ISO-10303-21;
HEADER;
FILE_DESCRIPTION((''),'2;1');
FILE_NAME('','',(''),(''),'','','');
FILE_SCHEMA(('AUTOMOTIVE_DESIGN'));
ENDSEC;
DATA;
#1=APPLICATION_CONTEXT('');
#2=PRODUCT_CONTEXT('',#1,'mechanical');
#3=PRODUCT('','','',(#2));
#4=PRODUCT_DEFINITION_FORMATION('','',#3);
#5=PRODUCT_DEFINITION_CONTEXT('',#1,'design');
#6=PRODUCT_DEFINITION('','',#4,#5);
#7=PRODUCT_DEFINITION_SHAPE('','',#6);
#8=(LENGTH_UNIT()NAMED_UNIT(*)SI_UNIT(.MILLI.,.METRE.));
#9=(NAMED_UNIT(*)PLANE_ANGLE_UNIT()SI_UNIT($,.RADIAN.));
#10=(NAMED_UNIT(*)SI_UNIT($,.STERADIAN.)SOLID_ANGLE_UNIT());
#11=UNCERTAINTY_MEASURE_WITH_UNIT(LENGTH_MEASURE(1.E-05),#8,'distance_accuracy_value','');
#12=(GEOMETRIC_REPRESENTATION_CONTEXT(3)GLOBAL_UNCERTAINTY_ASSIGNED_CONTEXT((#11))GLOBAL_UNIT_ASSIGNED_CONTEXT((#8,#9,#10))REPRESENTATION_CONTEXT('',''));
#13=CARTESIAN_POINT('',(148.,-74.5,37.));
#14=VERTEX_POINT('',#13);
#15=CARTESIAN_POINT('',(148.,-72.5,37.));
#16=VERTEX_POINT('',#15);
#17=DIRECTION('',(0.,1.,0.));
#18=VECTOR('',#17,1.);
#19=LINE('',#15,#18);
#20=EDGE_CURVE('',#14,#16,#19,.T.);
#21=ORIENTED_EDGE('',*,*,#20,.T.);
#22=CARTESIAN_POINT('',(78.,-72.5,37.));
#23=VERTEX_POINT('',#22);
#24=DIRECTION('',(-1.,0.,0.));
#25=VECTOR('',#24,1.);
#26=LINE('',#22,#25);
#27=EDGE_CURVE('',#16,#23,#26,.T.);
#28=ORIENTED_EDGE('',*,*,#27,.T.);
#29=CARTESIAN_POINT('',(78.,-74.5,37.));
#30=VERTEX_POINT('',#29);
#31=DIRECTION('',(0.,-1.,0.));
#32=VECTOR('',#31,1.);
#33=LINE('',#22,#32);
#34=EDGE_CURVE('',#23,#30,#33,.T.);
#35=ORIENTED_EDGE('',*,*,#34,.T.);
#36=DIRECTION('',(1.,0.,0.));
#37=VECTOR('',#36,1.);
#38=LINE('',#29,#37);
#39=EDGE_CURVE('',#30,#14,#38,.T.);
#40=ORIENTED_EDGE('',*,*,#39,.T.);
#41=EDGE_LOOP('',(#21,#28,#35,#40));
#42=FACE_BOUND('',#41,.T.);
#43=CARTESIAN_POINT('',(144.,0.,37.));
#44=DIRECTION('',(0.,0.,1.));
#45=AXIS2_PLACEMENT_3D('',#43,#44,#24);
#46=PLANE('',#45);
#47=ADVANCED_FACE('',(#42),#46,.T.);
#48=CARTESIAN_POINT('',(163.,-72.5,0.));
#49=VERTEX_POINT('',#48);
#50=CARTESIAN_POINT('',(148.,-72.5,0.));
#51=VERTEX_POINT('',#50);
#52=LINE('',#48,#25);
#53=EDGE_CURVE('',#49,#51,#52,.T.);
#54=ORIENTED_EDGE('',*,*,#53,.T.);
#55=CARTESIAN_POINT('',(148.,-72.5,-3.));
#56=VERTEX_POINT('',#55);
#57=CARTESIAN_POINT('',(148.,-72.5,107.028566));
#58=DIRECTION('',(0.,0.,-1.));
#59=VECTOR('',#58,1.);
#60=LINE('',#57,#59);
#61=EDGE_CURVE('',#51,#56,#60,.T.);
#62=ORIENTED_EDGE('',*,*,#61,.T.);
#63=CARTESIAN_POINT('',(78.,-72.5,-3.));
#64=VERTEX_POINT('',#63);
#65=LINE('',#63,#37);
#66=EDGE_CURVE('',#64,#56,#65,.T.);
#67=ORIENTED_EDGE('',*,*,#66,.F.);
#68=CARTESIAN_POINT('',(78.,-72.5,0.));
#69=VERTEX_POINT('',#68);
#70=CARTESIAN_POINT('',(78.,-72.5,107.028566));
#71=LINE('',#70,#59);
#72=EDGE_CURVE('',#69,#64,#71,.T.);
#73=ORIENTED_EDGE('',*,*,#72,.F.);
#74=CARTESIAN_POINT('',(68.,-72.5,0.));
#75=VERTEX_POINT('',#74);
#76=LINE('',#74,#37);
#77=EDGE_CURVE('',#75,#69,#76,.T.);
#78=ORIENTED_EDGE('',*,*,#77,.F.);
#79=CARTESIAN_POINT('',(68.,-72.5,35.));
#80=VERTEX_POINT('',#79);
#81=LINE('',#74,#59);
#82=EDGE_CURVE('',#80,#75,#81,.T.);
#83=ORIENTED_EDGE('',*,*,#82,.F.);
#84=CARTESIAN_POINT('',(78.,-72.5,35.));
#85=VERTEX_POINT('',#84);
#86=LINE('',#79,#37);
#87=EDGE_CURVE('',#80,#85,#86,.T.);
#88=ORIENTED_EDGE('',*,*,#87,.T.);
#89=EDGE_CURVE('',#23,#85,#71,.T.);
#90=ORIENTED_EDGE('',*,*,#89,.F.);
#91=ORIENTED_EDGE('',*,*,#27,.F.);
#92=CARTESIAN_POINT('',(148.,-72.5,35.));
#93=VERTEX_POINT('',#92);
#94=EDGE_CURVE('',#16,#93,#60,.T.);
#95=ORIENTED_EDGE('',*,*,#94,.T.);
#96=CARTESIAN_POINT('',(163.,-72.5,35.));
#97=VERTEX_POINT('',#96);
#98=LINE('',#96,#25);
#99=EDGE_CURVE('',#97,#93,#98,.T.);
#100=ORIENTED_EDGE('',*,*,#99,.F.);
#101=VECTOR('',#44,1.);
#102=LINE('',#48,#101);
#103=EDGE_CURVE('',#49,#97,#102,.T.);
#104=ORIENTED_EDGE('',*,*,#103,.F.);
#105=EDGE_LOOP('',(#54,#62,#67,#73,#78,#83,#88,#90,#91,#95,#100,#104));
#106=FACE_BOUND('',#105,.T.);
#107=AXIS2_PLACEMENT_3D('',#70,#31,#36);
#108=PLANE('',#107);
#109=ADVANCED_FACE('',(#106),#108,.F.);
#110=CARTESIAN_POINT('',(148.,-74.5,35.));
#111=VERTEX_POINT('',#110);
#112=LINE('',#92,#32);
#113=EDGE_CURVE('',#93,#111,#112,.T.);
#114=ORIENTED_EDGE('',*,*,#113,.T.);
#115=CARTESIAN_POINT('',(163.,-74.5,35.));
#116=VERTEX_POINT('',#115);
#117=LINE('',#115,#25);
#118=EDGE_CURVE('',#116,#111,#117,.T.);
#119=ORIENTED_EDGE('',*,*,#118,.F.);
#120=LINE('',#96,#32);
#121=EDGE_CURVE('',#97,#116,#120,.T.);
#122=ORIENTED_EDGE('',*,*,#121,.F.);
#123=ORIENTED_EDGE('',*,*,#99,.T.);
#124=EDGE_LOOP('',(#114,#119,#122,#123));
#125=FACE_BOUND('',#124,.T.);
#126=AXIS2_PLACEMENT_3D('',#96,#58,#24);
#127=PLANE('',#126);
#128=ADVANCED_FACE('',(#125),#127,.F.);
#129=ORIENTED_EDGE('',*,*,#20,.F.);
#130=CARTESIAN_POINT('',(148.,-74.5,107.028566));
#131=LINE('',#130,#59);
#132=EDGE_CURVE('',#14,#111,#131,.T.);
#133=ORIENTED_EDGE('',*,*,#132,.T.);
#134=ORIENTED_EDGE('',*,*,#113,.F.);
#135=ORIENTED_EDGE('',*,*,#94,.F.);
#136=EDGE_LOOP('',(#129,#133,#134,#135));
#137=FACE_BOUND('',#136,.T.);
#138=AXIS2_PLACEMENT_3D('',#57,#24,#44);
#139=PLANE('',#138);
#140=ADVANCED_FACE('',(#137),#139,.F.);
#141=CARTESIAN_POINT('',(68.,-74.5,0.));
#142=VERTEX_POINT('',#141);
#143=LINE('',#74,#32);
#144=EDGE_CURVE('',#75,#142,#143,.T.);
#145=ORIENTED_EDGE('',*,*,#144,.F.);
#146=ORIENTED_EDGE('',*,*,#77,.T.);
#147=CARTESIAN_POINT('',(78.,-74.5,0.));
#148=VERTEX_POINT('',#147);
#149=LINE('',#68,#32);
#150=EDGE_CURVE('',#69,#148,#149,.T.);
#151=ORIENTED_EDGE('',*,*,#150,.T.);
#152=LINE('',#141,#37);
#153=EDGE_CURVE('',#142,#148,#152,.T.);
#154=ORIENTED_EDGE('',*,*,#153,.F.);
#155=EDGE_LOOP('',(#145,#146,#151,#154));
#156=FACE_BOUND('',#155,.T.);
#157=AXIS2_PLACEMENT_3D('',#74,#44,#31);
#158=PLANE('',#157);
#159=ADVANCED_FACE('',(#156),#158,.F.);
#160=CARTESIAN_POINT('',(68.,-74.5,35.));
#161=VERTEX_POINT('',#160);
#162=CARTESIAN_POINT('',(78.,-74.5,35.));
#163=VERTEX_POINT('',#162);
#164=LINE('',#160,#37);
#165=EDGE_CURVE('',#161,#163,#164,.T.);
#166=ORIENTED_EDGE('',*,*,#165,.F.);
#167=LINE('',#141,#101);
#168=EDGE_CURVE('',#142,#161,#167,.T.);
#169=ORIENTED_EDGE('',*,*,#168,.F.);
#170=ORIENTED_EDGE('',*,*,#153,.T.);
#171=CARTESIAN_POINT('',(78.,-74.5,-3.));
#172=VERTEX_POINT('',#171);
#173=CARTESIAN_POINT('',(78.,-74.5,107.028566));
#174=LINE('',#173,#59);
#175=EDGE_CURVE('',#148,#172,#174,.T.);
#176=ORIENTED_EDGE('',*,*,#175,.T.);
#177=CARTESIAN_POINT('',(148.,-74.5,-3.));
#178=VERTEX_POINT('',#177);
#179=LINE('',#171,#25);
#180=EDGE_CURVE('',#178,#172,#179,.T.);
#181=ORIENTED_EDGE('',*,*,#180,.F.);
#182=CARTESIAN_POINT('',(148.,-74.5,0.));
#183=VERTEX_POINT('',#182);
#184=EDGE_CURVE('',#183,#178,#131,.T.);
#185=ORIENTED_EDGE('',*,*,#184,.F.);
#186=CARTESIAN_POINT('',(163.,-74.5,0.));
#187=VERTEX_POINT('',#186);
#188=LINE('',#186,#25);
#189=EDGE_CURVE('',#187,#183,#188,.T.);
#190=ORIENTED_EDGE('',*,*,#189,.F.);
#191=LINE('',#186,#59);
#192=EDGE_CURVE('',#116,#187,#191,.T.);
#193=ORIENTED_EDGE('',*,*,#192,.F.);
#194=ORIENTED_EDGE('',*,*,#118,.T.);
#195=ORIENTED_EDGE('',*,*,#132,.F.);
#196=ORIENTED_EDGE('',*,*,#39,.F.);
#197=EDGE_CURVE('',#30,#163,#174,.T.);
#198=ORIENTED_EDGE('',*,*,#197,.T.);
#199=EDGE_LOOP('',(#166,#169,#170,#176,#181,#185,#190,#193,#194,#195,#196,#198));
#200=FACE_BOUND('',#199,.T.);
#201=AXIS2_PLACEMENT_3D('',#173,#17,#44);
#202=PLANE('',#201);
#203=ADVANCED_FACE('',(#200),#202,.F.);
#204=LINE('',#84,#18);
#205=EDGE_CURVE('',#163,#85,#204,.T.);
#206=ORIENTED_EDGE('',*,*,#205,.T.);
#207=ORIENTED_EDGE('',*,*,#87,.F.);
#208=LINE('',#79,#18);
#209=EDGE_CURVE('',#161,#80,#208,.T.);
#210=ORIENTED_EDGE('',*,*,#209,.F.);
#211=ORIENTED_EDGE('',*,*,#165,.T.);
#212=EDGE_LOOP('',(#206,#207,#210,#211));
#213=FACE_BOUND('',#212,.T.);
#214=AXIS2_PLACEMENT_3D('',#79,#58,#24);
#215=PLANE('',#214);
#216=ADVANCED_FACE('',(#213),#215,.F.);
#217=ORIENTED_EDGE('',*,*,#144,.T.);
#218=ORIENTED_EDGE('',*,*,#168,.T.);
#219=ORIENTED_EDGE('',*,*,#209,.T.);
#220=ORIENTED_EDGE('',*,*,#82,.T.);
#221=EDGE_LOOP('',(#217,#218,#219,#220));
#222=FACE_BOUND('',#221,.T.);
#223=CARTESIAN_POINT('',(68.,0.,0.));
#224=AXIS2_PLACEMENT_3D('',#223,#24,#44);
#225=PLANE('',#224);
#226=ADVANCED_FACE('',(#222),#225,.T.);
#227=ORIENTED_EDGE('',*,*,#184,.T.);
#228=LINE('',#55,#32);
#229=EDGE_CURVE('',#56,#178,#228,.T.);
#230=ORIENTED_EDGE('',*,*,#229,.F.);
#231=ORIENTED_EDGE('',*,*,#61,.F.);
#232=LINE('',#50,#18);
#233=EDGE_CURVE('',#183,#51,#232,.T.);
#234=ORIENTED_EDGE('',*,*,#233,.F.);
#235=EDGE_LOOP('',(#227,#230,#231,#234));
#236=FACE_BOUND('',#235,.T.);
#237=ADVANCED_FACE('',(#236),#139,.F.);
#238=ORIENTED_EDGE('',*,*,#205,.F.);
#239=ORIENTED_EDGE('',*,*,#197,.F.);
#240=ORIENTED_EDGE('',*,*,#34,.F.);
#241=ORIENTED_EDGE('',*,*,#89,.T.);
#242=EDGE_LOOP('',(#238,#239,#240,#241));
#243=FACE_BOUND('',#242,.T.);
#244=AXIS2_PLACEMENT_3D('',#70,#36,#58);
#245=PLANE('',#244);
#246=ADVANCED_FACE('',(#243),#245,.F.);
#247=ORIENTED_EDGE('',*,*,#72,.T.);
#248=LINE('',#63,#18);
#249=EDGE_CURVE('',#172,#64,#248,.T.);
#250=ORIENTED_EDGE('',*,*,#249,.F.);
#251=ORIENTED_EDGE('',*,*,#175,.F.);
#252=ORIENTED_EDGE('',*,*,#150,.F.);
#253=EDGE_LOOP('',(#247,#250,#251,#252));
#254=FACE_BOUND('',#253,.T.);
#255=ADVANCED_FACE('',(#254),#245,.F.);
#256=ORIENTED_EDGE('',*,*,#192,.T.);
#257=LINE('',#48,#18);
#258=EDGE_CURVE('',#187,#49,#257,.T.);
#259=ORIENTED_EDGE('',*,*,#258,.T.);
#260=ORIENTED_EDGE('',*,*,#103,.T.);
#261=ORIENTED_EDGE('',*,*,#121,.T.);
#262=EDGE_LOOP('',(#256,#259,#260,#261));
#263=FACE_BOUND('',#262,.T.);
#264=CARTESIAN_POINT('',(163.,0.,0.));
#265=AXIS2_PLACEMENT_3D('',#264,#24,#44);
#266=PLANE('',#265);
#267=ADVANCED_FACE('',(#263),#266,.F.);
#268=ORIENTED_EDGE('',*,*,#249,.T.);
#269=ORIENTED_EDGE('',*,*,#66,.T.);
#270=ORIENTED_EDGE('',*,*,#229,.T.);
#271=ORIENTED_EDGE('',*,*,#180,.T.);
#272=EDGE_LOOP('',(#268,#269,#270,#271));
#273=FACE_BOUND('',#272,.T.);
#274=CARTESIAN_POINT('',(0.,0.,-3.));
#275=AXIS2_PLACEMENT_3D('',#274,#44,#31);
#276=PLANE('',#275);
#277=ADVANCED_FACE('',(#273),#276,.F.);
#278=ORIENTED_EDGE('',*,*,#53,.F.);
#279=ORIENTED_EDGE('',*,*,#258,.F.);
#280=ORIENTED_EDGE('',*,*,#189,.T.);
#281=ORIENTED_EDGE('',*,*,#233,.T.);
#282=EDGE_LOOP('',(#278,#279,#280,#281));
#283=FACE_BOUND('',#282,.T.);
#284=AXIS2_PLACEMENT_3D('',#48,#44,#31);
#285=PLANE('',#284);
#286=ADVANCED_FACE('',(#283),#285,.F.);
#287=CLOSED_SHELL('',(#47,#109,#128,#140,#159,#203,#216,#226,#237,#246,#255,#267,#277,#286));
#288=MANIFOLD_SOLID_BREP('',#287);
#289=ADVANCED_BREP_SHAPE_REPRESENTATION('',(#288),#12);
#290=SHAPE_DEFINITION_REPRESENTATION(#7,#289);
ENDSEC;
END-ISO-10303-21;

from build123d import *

# Parameters (mm, degrees)
ESTRUSIONE_ESTRUSIONE1_DEPTH      = 37
ESTRUSIONE_ESTRUSIONE1_DEPTH_BACK = 3
SCHIZZO1_W                        = 70
SCHIZZO1_H                        = 2
SCHIZZO2_W                        = 35
SCHIZZO2_H                        = 2
ESTRUSIONE_ESTRUSIONE2_DEPTH      = 15
SCHIZZO3_W                        = 35
SCHIZZO3_H                        = 2
ESTRUSIONE_ESTRUSIONE3_DEPTH      = 10


with BuildPart() as part:
    # Schizzo1 → Estrusione-Estrusione1 (new, two sides: drawn at the far end of the back side and taken through both)
    with BuildSketch(Plane.XY.offset(-ESTRUSIONE_ESTRUSIONE1_DEPTH_BACK)):
        with Locations((113, -73.5)):
            Rectangle(SCHIZZO1_W, SCHIZZO1_H)
    extrude(amount=ESTRUSIONE_ESTRUSIONE1_DEPTH + ESTRUSIONE_ESTRUSIONE1_DEPTH_BACK)

    # Schizzo2 → Estrusione-Estrusione2 (add)
    with BuildSketch(Plane(origin=(148, 0, 0), x_dir=(0, 0, -1), z_dir=(1, 0, 0))):
        with Locations((-17.5, -73.5)):
            Rectangle(SCHIZZO2_W, SCHIZZO2_H)
    extrude(amount=ESTRUSIONE_ESTRUSIONE2_DEPTH)

    # Schizzo3 → Estrusione-Estrusione3 (add)
    with BuildSketch(Plane.ZY.offset(-78)):
        with Locations((17.5, -73.5)):
            Rectangle(SCHIZZO3_W, SCHIZZO3_H)
    extrude(amount=ESTRUSIONE_ESTRUSIONE3_DEPTH)


solid = part.part
